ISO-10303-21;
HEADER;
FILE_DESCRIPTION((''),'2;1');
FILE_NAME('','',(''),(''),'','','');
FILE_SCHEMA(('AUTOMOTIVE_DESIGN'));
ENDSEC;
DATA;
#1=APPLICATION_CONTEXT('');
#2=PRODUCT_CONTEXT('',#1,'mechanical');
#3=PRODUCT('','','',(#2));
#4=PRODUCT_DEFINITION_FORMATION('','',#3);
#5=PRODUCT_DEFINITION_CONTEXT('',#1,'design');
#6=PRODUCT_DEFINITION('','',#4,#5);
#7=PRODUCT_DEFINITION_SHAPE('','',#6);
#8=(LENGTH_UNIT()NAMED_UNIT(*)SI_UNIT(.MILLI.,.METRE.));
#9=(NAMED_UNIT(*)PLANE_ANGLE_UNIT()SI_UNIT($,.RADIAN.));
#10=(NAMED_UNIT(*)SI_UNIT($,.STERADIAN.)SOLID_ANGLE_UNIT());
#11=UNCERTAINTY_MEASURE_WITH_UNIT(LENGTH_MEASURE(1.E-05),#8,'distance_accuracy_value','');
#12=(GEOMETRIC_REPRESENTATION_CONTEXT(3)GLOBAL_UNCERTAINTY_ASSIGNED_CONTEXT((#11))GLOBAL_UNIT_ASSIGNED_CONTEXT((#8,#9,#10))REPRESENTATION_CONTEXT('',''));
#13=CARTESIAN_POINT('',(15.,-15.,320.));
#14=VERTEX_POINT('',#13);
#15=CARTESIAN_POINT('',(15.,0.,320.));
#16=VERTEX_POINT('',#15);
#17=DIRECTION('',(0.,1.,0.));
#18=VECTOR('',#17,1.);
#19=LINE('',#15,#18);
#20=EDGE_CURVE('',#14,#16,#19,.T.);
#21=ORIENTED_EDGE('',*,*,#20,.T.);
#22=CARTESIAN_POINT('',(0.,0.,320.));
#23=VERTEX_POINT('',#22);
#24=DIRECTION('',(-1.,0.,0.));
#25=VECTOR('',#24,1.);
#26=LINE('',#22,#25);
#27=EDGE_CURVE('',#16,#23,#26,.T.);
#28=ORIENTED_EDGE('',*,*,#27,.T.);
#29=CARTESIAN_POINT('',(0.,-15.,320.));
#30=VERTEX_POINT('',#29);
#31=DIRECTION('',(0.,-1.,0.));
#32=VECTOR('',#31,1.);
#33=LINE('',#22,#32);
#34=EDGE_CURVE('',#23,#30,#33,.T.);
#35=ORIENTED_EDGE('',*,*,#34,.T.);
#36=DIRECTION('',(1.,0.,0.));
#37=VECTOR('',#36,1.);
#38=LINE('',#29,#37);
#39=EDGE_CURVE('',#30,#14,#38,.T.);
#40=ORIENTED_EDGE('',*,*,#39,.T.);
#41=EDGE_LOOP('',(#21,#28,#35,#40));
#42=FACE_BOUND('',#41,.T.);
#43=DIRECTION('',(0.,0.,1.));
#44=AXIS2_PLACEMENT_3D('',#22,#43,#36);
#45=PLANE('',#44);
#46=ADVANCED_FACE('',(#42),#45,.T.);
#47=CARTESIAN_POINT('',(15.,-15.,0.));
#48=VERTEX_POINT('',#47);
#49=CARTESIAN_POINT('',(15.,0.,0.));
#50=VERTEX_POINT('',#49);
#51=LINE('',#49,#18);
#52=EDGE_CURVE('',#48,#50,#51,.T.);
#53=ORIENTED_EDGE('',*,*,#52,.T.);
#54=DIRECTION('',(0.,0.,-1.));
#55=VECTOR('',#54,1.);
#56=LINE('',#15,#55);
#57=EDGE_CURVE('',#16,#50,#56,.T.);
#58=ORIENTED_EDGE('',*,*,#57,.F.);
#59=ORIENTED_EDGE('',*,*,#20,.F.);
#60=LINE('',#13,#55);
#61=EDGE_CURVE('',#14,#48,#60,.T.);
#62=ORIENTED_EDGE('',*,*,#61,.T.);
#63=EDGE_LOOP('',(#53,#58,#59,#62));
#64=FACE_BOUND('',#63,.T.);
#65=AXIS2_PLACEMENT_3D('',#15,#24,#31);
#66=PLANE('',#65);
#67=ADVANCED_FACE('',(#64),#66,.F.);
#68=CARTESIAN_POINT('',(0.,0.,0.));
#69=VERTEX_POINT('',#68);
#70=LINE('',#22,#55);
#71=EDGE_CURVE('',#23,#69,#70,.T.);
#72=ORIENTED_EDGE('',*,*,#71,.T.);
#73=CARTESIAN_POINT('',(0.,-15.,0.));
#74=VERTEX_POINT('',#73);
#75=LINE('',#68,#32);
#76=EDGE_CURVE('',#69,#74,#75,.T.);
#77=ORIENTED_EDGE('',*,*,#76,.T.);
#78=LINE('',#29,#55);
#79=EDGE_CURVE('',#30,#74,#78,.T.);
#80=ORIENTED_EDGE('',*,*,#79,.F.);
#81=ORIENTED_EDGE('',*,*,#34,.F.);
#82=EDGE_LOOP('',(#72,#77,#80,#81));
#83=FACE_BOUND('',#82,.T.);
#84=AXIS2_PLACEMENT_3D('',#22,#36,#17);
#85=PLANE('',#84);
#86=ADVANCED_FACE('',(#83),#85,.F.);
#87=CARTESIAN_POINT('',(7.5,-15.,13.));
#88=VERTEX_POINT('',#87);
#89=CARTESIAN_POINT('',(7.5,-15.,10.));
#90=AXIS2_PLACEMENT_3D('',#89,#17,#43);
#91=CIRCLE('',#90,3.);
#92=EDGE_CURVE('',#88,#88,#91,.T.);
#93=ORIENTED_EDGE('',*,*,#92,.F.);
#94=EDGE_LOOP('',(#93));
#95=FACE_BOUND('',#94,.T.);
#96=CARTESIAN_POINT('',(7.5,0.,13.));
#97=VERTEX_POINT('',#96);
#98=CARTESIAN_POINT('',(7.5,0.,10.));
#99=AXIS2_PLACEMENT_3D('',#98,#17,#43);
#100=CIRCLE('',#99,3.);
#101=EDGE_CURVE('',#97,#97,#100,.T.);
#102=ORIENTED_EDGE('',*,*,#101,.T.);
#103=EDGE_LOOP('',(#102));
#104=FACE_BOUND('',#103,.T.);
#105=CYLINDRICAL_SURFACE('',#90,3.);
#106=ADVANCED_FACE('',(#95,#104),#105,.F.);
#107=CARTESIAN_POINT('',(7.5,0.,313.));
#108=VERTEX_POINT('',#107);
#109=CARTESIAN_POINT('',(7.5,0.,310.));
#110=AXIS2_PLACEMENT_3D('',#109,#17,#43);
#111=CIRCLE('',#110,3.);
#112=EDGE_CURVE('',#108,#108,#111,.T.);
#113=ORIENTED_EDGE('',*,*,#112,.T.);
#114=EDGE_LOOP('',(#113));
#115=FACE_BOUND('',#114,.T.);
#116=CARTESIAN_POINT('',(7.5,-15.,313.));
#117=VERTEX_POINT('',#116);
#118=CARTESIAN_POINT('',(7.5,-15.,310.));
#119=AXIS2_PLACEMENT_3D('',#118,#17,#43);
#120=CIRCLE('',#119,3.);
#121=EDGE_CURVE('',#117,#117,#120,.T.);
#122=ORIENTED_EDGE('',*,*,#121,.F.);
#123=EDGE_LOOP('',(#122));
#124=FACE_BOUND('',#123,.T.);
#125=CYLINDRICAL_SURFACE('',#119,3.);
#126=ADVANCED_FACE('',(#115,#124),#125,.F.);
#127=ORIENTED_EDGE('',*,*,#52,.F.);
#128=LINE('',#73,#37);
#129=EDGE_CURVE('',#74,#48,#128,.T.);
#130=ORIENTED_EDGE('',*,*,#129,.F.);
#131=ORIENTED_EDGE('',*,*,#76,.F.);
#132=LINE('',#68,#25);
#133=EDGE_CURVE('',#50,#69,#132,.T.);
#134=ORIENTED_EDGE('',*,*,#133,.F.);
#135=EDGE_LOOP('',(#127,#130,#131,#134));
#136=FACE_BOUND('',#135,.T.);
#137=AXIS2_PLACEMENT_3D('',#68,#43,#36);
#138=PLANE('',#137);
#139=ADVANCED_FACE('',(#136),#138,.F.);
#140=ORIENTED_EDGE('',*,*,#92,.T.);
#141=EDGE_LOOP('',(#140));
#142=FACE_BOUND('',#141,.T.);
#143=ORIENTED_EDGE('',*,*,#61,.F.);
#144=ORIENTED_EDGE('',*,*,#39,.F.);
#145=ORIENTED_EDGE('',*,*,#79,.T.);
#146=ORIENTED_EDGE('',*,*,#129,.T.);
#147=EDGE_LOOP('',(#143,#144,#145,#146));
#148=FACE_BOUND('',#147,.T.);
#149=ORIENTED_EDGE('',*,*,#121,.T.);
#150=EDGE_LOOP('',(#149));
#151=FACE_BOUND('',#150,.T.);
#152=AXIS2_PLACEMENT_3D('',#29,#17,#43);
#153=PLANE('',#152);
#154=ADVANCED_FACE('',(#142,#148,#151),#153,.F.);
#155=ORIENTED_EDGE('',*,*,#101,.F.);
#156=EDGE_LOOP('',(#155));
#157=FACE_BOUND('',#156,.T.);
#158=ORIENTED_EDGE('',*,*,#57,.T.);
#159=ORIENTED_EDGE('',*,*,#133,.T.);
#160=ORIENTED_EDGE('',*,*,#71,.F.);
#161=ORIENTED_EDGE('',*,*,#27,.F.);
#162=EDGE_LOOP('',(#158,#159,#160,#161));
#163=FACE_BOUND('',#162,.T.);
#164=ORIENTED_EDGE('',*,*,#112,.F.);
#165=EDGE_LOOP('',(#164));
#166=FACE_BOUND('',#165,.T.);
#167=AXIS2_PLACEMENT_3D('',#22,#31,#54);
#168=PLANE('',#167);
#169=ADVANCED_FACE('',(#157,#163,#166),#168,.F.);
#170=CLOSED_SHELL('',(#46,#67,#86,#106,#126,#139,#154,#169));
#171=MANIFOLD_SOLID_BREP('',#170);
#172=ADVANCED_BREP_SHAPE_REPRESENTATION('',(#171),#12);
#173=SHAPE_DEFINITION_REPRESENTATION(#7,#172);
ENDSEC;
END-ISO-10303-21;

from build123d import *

# Parameters (mm, degrees)
SKETCH_1_W          = 15
SKETCH_1_H          = 15
EXTRUDE_1_DEPTH     = 320
SKETCH_2_R          = 3
CUT_EXTRUDE_1_DEPTH = 321.702354216


with BuildPart() as part:
    # 草图1 → 凸台-拉伸1 (new body)
    with BuildSketch(Plane.XY):
        with Locations((7.5, -7.5)):
            Rectangle(SKETCH_1_W, SKETCH_1_H)
    extrude(amount=EXTRUDE_1_DEPTH)

    # 草图2 → 切除-拉伸1 (cut, through all)
    with BuildSketch(Plane(origin=(0, 0, 0), x_dir=(1, 0, 0), z_dir=(0, 1, 0))):
        with Locations(Location((7.5, -310, 0), (0, 0, 270))):
            Circle(SKETCH_2_R)
        with Locations(Location((7.5, -10, 0), (0, 0, 270))):
            Circle(SKETCH_2_R)
    extrude(amount=-CUT_EXTRUDE_1_DEPTH, mode=Mode.SUBTRACT)


solid = part.part
